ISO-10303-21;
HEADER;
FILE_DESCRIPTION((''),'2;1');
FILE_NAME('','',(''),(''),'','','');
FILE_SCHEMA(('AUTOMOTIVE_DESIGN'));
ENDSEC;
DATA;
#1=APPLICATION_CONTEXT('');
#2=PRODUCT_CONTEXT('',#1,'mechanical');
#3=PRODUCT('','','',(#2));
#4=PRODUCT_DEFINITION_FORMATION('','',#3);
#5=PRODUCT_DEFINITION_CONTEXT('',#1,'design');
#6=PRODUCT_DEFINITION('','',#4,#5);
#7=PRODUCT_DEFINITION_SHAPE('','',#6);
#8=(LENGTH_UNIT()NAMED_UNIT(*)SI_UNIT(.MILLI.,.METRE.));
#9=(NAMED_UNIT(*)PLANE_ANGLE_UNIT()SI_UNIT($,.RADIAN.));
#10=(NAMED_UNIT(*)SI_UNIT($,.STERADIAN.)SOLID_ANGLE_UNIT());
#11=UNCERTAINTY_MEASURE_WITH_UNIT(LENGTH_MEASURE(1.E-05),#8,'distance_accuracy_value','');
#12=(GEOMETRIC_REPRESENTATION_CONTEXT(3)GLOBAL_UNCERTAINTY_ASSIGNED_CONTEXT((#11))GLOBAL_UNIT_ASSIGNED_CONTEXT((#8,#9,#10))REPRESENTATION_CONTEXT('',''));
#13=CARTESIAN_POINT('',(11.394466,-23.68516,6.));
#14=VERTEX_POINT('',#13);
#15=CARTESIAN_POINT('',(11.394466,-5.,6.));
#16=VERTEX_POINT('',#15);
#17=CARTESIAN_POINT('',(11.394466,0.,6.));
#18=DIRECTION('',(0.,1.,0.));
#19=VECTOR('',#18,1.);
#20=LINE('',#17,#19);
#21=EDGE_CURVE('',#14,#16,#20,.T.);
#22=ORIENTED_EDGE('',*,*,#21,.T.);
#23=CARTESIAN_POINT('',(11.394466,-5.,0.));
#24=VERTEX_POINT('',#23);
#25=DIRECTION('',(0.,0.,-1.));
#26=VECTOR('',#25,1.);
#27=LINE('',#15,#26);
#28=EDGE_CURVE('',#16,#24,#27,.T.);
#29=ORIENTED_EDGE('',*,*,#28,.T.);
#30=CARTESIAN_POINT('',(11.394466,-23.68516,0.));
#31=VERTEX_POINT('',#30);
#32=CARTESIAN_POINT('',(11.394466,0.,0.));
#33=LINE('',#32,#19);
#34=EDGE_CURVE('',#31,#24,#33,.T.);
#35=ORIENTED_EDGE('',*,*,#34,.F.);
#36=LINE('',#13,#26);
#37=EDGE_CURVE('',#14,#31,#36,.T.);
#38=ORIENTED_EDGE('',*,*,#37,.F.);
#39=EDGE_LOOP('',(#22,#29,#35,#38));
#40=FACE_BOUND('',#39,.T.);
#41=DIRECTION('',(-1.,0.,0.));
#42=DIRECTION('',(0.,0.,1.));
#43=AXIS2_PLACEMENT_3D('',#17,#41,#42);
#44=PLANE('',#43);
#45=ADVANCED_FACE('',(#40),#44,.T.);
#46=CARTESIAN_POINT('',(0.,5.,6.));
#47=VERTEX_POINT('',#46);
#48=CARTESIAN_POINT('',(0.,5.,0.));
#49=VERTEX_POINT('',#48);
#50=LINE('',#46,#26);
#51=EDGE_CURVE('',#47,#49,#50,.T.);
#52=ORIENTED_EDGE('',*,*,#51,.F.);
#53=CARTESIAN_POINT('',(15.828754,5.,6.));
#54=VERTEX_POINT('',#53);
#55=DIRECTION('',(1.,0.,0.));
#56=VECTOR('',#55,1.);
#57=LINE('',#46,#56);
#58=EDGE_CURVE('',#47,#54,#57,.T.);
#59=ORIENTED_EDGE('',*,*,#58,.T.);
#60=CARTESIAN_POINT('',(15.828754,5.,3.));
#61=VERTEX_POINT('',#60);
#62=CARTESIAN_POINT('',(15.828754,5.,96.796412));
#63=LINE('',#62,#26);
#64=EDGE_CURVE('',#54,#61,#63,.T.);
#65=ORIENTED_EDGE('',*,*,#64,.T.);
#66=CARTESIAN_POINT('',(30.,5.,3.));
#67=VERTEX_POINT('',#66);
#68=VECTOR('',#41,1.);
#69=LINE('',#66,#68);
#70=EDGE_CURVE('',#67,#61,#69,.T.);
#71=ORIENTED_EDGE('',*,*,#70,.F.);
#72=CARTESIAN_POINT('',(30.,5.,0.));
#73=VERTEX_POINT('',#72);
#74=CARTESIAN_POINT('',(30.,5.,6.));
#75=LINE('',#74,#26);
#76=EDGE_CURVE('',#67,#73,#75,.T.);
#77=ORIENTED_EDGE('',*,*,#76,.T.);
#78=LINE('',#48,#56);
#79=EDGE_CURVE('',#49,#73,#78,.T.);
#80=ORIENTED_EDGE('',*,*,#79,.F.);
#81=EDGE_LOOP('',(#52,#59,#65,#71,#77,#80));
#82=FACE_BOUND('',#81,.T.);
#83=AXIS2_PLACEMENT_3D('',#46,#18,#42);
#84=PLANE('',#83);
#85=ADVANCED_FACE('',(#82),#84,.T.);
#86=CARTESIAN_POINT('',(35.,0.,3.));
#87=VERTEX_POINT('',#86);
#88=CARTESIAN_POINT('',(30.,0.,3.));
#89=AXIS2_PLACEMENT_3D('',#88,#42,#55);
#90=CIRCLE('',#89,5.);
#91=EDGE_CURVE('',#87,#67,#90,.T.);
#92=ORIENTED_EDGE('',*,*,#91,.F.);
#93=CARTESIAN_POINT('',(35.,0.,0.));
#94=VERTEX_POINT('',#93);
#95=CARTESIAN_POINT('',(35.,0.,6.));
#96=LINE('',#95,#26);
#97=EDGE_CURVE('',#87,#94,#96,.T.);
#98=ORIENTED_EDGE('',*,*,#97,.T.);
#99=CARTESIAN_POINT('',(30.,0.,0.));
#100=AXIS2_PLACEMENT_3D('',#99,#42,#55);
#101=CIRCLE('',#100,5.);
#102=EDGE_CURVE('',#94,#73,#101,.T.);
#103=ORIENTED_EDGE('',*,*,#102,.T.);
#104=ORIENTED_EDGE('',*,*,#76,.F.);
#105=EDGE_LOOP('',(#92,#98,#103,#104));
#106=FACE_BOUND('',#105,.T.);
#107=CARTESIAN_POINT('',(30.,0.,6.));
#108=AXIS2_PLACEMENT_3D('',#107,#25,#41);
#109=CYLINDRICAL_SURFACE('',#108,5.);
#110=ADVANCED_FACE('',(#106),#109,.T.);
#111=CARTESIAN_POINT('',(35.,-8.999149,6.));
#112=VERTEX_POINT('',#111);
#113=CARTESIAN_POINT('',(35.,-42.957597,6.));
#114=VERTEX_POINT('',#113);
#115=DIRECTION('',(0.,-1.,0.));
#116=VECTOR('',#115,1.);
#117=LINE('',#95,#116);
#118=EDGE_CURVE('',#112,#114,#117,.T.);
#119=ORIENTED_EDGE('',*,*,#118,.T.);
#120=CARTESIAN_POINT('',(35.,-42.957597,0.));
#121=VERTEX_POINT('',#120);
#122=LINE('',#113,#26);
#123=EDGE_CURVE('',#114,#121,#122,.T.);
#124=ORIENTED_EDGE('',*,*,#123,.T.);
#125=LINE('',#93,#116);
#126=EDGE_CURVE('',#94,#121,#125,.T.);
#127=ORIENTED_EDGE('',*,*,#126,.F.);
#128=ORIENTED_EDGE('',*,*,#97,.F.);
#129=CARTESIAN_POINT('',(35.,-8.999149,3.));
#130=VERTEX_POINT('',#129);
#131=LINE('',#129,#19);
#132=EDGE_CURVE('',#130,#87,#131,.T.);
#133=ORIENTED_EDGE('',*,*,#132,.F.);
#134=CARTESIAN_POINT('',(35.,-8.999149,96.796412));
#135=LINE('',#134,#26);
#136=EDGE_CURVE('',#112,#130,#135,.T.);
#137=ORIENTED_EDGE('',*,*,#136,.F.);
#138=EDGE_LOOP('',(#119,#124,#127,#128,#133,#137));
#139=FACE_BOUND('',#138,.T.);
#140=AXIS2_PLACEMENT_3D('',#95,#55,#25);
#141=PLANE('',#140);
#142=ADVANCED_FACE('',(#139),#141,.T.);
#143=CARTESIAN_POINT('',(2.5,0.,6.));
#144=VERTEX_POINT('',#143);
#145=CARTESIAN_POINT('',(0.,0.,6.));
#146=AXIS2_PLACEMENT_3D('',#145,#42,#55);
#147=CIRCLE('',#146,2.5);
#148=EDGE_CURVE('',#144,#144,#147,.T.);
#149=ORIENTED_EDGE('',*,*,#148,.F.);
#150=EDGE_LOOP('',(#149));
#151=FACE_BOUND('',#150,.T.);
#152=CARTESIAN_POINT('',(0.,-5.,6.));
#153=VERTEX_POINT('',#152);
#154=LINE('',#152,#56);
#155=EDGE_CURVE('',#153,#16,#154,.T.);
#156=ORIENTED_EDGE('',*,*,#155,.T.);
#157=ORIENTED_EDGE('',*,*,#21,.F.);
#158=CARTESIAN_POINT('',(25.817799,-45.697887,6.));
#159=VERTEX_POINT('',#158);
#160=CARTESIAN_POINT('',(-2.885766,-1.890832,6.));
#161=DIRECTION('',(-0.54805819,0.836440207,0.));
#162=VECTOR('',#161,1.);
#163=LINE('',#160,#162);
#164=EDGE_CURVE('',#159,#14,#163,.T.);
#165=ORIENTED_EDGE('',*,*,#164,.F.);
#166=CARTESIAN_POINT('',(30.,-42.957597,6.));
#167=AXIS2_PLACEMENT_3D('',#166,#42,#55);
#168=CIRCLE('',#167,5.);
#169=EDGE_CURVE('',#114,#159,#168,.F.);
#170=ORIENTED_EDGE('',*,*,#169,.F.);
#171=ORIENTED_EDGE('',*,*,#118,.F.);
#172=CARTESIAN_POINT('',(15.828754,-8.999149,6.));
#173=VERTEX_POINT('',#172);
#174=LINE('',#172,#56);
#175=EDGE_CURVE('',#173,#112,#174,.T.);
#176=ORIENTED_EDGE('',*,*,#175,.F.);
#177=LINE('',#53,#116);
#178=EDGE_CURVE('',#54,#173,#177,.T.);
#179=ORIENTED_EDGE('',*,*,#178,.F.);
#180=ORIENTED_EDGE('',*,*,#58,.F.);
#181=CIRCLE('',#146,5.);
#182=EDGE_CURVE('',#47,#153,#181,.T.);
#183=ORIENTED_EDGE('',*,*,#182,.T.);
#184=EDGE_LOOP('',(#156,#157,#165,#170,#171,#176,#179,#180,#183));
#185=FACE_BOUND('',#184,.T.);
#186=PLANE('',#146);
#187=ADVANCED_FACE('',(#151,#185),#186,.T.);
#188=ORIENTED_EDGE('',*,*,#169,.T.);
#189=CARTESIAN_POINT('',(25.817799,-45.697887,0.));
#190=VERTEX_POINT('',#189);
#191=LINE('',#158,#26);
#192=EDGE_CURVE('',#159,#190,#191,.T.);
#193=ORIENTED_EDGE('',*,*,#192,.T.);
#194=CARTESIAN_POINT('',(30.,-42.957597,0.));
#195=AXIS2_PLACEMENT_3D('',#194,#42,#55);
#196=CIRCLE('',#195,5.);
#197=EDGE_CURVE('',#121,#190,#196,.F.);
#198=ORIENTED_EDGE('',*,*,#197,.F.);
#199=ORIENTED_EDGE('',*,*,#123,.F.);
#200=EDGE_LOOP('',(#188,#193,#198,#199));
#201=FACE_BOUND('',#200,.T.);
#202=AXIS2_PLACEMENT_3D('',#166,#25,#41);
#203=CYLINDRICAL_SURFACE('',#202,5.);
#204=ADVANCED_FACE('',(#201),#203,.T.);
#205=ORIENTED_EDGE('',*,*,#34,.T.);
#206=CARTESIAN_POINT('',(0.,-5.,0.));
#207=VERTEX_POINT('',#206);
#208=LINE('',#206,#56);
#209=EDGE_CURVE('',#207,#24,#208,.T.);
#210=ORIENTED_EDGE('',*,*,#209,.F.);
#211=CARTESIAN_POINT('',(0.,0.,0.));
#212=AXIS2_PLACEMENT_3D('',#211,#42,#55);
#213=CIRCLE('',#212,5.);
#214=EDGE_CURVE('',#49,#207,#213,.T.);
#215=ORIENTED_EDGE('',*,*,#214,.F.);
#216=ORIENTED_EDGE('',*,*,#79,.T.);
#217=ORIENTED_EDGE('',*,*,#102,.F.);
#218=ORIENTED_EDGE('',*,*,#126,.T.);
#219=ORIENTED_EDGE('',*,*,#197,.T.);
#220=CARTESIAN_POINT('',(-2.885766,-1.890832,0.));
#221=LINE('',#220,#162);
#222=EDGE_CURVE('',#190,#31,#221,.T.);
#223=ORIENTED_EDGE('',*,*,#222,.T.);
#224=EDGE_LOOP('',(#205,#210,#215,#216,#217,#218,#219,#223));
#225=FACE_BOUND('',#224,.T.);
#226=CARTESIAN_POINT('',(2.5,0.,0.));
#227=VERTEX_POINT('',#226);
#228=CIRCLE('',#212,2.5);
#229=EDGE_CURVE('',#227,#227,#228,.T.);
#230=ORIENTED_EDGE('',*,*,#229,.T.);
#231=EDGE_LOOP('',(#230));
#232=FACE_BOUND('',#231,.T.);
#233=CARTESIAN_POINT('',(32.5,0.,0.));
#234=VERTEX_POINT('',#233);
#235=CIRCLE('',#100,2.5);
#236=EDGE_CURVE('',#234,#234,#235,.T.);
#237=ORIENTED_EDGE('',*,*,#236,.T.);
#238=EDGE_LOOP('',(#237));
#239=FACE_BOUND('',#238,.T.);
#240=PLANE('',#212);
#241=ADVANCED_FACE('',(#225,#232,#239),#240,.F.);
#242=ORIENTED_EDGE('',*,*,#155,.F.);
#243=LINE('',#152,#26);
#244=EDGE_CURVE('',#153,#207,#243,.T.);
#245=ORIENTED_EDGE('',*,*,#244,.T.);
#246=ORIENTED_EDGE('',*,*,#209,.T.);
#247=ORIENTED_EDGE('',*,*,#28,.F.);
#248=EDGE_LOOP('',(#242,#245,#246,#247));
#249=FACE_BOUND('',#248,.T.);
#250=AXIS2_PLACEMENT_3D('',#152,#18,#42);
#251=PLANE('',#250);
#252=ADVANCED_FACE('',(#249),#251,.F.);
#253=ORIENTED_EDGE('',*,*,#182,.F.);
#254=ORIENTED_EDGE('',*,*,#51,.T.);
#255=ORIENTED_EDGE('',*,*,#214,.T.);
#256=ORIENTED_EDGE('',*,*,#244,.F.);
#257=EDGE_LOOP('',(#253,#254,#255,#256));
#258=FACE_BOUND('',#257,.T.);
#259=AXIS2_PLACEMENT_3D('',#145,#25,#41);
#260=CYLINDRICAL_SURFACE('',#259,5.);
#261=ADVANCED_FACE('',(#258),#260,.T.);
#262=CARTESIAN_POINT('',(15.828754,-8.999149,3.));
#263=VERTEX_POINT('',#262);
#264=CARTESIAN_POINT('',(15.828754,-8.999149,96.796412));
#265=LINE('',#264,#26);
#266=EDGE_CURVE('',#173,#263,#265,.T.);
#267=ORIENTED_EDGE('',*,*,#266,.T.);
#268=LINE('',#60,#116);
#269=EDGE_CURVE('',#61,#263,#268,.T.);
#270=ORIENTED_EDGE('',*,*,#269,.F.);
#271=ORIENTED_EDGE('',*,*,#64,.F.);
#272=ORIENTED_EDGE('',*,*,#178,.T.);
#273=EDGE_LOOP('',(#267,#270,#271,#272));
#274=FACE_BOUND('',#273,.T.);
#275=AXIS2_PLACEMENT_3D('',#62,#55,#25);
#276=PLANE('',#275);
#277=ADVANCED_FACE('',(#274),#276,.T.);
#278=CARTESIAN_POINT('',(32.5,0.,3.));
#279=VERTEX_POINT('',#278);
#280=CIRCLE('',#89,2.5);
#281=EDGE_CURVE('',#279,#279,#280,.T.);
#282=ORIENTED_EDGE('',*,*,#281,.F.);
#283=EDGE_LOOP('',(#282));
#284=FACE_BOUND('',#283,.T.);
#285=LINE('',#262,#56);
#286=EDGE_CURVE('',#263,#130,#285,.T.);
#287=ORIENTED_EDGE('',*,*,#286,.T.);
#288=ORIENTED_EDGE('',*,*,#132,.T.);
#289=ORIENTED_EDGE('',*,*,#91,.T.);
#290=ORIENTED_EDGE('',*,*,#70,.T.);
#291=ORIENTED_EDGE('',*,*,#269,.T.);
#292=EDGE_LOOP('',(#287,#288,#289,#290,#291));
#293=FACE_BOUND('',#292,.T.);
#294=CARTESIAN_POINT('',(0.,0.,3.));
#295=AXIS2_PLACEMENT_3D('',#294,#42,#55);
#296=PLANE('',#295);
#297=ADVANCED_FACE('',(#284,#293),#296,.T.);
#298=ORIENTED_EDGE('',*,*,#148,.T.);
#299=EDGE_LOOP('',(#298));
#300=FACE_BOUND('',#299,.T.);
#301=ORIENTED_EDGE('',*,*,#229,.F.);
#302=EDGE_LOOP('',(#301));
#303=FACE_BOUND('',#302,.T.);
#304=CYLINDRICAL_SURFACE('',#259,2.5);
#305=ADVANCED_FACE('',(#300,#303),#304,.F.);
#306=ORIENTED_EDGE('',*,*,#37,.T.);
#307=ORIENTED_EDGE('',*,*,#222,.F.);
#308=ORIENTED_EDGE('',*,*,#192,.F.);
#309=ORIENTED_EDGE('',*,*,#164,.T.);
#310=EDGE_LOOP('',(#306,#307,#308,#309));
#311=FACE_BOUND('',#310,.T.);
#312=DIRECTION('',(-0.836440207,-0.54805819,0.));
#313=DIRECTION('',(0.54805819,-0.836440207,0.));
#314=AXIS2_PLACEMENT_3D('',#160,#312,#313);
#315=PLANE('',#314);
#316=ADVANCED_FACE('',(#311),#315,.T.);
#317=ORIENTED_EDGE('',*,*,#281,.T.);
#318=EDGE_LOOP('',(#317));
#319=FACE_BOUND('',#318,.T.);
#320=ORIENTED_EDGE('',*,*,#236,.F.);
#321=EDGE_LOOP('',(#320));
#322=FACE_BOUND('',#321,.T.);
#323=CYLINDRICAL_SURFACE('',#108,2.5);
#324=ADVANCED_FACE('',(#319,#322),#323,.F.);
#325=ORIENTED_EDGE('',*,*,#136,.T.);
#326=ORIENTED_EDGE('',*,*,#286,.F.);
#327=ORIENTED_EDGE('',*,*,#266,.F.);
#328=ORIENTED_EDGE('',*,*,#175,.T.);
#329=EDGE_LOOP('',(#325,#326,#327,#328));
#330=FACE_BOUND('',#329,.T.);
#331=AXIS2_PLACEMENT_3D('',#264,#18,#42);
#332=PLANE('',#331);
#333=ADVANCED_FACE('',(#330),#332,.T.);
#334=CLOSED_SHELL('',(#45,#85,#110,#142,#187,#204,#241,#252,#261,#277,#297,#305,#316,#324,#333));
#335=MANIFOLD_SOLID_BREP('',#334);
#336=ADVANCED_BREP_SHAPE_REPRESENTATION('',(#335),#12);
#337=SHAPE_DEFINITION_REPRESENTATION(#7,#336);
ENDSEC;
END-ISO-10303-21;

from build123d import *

# Parameters (mm, degrees)
SKETCH1_R               = 2.5
BOSS_EXTRUDE1_DEPTH     = 6
CUT_EXTRUDE1_DEPTH      = 60.673537378
CUT_EXTRUDE1_DEPTH_BACK = 3
SKETCH2_R               = 2.5


with BuildPart() as part:
    # Sketch1 → Boss-Extrude1 (new body)
    # profile 1 of 2: a face of its own
    with BuildSketch(Plane.XY):
        with BuildLine():
            ThreePointArc((30, -5), (35, 0), (30, 5))
            Line((30, 5), (0, 5))
            ThreePointArc((0, 5), (-5, 0), (0, -5))
            Line((0, -5), (30, -5))
        make_face()
        with Locations((30, 0)):
            Circle(SKETCH1_R, mode=Mode.SUBTRACT)
        Circle(SKETCH1_R, mode=Mode.SUBTRACT)
    # profile 2 of 2: a face of its own
    with BuildSketch(Plane.XY):
        with BuildLine():
            Line((35, -42.957596512), (35, 0))
            ThreePointArc((35, 0), (33.535533906, -3.535533906), (30, -5))
            Line((30, -5), (11.394465816, -5))
            Line((11.394465816, -5), (11.394465816, -23.685159648))
            Line((11.394465816, -23.685159648), (25.817798964, -45.697887462))
            ThreePointArc((25.817798964, -45.697887462), (31.429859227, -47.748786613), (35, -42.957596512))
        make_face()
    extrude(amount=BOSS_EXTRUDE1_DEPTH)

    # Sketch2 → Cut-Extrude1 (cut, two sides: drawn at the far end of the back side and taken through both)
    with BuildSketch(Plane.XY.offset(6).offset(-CUT_EXTRUDE1_DEPTH_BACK)):
        with BuildLine():
            Line((30, 5), (15.828754387, 5))
            Line((15.828754387, 5), (15.828754387, -8.999149352))
            Line((15.828754387, -8.999149352), (35, -8.999149352))
            Line((35, -8.999149352), (35, 0))
            ThreePointArc((35, 0), (33.535533906, 3.535533906), (30, 5))
        make_face()
        with Locations((30, 0)):
            Circle(SKETCH2_R, mode=Mode.SUBTRACT)
    extrude(amount=CUT_EXTRUDE1_DEPTH + CUT_EXTRUDE1_DEPTH_BACK, mode=Mode.SUBTRACT)


solid = part.part
